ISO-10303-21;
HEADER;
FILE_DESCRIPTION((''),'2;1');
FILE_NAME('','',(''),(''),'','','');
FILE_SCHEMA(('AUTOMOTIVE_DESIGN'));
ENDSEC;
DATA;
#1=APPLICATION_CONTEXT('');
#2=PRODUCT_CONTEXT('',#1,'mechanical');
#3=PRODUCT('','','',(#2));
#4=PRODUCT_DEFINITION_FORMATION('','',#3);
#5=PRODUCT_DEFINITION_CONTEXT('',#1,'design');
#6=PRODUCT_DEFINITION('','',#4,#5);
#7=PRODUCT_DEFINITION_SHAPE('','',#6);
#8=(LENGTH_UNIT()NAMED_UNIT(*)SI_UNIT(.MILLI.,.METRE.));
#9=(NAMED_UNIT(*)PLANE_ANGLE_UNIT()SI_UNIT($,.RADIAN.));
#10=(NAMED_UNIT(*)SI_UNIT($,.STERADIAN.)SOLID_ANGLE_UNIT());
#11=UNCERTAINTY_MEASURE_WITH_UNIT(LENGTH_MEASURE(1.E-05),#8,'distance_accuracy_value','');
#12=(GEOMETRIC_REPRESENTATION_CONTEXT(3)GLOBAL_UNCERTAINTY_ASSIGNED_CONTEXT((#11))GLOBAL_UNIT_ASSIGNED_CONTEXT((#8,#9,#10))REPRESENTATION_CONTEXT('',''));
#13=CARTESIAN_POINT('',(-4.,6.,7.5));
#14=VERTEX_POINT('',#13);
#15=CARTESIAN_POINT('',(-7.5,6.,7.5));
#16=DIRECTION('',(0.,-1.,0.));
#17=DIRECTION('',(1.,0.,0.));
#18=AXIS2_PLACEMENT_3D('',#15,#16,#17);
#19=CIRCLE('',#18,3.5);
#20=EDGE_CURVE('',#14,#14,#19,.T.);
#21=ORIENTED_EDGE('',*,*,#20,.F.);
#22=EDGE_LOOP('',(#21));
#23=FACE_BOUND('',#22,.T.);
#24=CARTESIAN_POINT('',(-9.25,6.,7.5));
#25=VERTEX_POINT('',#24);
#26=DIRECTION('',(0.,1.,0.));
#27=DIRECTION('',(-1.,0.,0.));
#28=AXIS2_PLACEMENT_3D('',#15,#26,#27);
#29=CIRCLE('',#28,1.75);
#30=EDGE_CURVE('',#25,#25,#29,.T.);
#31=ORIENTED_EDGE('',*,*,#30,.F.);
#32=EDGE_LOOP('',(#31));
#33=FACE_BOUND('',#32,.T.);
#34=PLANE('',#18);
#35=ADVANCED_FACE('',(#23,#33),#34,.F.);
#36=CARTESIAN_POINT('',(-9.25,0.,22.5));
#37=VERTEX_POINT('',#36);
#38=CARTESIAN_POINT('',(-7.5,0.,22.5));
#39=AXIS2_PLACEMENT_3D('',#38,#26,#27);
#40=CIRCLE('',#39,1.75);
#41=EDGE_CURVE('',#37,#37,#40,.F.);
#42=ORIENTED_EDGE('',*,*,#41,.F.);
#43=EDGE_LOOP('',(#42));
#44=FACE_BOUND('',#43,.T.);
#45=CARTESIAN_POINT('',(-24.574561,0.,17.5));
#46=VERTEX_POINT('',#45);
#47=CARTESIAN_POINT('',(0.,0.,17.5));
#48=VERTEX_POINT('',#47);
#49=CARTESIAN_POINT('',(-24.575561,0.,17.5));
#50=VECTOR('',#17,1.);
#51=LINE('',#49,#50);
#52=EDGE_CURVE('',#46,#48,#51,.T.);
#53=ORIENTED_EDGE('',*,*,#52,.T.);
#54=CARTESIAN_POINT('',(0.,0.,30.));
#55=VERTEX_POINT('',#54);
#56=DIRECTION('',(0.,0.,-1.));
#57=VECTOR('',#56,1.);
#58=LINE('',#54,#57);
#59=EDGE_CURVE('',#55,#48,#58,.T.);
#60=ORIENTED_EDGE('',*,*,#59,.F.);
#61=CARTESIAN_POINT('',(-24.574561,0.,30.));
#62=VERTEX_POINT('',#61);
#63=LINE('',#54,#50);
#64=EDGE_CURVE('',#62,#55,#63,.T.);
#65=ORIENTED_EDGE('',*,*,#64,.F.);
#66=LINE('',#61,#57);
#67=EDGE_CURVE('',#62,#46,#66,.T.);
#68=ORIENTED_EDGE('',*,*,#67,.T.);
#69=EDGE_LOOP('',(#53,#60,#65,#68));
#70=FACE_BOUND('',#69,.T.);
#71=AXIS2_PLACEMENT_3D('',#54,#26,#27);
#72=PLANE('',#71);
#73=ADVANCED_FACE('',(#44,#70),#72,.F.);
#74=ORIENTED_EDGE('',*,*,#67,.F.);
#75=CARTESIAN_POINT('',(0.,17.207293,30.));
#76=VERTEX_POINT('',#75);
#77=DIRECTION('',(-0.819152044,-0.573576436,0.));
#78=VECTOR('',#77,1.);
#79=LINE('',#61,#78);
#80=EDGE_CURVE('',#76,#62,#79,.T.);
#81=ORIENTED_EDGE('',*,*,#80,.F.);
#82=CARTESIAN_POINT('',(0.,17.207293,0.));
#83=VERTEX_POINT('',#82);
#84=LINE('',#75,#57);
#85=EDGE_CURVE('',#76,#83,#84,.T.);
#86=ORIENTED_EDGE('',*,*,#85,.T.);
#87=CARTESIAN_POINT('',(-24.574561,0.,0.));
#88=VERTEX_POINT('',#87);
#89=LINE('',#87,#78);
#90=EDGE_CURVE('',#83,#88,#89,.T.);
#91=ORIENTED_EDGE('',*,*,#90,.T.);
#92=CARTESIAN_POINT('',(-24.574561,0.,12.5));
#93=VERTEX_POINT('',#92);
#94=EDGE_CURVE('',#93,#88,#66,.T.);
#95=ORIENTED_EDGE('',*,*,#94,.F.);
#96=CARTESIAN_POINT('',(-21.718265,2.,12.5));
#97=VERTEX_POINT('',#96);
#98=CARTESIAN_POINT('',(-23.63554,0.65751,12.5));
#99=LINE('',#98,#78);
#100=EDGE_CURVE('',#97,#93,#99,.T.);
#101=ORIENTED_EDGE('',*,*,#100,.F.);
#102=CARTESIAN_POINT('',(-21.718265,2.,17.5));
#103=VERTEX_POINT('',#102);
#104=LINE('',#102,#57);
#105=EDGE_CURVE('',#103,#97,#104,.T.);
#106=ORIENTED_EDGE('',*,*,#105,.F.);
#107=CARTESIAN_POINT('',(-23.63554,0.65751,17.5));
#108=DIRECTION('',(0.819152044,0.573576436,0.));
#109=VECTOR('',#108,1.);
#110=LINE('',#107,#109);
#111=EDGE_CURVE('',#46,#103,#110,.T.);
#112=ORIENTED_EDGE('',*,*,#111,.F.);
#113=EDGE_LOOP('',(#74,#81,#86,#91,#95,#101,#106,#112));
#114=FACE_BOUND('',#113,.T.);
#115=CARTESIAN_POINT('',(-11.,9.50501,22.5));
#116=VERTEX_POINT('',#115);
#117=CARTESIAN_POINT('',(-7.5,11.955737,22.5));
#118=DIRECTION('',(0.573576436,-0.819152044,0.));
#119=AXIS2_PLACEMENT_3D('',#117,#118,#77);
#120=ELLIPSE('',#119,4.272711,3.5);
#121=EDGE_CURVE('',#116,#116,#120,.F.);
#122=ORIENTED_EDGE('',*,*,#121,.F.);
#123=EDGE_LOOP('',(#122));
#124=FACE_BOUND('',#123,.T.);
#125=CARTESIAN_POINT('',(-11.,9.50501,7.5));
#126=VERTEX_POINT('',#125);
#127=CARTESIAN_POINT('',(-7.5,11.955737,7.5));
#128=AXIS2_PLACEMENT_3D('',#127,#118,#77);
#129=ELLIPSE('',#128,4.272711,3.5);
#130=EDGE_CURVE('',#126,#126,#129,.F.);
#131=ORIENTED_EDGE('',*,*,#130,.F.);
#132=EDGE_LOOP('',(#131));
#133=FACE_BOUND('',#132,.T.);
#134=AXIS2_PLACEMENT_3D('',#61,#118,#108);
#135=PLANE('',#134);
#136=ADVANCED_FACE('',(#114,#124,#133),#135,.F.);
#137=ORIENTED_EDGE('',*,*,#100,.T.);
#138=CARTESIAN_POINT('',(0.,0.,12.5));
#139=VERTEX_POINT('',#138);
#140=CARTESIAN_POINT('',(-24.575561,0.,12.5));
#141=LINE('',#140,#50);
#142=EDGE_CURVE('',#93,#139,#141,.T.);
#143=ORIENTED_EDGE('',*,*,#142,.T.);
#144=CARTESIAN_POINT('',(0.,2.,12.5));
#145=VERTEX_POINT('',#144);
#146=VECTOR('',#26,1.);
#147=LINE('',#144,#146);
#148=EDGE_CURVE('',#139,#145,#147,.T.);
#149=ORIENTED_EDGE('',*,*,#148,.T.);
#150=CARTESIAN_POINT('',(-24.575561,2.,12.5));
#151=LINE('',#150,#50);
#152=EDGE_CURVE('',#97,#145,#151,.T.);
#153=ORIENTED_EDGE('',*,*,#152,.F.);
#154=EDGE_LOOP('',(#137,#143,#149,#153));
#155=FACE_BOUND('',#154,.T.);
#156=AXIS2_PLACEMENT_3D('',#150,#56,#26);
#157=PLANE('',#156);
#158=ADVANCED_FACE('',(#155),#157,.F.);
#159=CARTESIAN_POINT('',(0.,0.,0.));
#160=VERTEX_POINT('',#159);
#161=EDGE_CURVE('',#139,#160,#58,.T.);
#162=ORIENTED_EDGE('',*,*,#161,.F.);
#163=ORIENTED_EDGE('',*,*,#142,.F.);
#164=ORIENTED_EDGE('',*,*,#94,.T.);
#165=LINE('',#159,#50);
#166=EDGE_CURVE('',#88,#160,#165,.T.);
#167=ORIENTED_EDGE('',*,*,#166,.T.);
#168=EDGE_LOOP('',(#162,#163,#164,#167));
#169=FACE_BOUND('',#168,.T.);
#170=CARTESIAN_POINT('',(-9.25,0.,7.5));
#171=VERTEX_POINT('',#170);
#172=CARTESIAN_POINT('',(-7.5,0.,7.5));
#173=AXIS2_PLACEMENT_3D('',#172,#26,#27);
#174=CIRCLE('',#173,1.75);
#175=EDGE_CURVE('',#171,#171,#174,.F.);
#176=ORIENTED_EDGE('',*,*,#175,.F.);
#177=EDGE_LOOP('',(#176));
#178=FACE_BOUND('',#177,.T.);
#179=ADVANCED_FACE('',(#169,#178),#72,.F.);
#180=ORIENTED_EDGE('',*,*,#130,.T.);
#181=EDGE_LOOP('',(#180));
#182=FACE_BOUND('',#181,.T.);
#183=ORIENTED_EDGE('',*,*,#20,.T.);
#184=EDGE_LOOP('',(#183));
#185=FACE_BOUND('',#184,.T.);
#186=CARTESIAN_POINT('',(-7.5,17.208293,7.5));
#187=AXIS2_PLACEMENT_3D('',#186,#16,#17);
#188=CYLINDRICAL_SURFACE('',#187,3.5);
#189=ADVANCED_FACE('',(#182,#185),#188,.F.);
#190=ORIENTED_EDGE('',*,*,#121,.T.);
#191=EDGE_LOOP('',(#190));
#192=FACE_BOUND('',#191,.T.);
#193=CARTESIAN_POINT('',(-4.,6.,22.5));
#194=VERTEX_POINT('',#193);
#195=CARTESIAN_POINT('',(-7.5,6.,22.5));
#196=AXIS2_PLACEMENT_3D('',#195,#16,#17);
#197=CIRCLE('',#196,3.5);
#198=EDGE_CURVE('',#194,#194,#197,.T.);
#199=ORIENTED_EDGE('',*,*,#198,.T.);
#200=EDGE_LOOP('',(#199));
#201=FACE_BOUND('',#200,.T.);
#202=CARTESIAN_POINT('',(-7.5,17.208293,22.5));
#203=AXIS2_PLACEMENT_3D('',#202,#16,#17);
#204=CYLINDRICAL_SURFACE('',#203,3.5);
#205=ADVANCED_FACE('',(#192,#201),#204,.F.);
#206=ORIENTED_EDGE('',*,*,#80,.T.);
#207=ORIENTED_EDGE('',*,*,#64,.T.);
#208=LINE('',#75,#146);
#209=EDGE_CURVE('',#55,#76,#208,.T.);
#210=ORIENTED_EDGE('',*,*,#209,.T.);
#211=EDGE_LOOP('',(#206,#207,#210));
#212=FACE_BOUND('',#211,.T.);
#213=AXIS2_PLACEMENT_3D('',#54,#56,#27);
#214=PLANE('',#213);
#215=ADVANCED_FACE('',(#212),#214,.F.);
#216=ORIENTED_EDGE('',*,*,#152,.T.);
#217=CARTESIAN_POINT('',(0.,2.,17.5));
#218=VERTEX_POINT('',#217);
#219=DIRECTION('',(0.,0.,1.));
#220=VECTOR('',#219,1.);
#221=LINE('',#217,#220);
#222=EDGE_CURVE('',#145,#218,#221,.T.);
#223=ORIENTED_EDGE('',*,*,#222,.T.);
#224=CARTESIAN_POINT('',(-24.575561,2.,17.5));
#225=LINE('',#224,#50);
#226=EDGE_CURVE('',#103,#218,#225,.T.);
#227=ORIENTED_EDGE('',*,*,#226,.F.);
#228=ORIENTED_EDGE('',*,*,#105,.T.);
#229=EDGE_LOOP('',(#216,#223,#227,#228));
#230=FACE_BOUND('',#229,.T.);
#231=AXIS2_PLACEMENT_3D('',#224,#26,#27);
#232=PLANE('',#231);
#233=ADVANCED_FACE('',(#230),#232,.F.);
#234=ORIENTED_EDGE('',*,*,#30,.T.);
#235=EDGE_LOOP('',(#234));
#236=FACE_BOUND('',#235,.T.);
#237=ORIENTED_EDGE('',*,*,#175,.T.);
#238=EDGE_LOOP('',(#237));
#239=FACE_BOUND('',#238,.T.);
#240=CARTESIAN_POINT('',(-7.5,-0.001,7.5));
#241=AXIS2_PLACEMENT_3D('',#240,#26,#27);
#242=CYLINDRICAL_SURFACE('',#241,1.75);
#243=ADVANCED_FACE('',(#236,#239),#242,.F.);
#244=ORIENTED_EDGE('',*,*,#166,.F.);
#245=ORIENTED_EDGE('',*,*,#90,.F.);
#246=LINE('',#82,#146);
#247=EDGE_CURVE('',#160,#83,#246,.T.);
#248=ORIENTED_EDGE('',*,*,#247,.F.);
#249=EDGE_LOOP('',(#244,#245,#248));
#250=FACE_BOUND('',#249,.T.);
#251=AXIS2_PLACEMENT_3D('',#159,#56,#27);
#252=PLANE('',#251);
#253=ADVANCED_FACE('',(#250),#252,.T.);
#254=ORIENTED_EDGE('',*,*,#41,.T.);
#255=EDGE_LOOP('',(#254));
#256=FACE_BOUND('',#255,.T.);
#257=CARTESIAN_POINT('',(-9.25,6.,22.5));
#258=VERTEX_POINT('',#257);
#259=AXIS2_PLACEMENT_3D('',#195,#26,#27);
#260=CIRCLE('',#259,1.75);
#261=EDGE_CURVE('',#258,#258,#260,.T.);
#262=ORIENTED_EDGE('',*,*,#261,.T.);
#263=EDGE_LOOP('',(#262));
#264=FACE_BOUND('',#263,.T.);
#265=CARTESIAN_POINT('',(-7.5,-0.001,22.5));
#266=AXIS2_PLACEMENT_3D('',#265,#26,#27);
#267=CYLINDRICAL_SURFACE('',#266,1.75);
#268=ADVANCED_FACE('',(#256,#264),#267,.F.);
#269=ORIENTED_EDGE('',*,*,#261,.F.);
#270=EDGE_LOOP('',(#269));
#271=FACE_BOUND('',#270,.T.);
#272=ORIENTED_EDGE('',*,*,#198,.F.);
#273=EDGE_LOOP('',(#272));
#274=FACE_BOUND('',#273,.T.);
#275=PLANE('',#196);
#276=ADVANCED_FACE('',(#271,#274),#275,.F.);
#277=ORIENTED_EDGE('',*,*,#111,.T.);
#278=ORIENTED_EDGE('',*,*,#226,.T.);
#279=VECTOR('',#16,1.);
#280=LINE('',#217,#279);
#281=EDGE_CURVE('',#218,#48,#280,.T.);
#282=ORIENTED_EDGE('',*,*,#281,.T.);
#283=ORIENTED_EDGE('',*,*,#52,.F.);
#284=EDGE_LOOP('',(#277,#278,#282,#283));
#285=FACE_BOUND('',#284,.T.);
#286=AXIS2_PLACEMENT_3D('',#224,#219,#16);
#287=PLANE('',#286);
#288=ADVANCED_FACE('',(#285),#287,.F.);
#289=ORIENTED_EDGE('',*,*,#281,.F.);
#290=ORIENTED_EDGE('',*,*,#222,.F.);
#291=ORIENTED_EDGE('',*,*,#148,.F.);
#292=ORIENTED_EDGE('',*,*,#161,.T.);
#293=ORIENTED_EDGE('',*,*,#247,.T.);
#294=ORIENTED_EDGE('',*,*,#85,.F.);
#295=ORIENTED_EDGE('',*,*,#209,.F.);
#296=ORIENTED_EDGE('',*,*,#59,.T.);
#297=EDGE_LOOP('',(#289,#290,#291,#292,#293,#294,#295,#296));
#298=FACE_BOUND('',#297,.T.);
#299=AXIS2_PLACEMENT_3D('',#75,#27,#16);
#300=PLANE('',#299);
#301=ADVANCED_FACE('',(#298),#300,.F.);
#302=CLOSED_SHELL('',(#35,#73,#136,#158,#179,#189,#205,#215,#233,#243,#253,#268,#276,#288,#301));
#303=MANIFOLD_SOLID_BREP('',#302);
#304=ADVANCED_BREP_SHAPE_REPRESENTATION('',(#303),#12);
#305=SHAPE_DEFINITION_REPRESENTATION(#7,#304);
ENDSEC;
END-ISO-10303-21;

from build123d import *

# Parameters (mm, degrees)
BOSS_EXTRU_1_DEPTH      = 30
ENL_V_MAT_EXTRU_1_REACH = 42.367
ESQUISSE2_R             = 3.5
ENL_V_MAT_EXTRU_2_REACH = 42.367
ESQUISSE3_R             = 1.75
ENL_V_MAT_EXTRU_3_REACH = 44.426
ESQUISSE4_W             = 5
ESQUISSE4_H             = 2


with BuildPart() as part:
    # Esquisse1 → Boss.-Extru.1 (new body)
    with BuildSketch(Plane.XY):
        Polygon((0, 0), (-24.574561329, 0), (0, 17.207293091), align=None)
    extrude(amount=BOSS_EXTRU_1_DEPTH)

    # Enlèv. mat.-Extru.1: up to this plane
    enl_v_mat_extru_1_end = Plane(origin=(-24.574561329, 0, 30), z_dir=(0.5735764363510414, -0.8191520442889951, 0))
    # Esquisse2 → Enlèv. mat.-Extru.1 (cut, up to the surface)
    with BuildSketch(Plane(origin=(0, 6, 0), x_dir=(-1, 0, 0), z_dir=(0, -1, 0)), mode=Mode.PRIVATE) as enl_v_mat_extru_1_sk1:
        with Locations(Location((7.5, -7.5, 0), (0, 0, 180))):
            Circle(ESQUISSE2_R)
    enl_v_mat_extru_1_tool1 = split(extrude(enl_v_mat_extru_1_sk1.sketch, amount=-ENL_V_MAT_EXTRU_1_REACH, mode=Mode.PRIVATE), bisect_by=enl_v_mat_extru_1_end, keep=Keep.BOTH, mode=Mode.PRIVATE)
    add(enl_v_mat_extru_1_tool1.solids().sort_by_distance((-7.5, 6, 7.5))[0], mode=Mode.SUBTRACT)
    # Esquisse2 → Enlèv. mat.-Extru.1 (cut, up to the surface)
    with BuildSketch(Plane(origin=(0, 6, 0), x_dir=(-1, 0, 0), z_dir=(0, -1, 0)), mode=Mode.PRIVATE) as enl_v_mat_extru_1_sk2:
        with Locations(Location((7.5, -22.5, 0), (0, 0, 180))):
            Circle(ESQUISSE2_R)
    enl_v_mat_extru_1_tool2 = split(extrude(enl_v_mat_extru_1_sk2.sketch, amount=-ENL_V_MAT_EXTRU_1_REACH, mode=Mode.PRIVATE), bisect_by=enl_v_mat_extru_1_end, keep=Keep.BOTH, mode=Mode.PRIVATE)
    add(enl_v_mat_extru_1_tool2.solids().sort_by_distance((-7.5, 6, 22.5))[0], mode=Mode.SUBTRACT)

    # Esquisse3 → Enlèv. mat.-Extru.2 (cut, up to next)
    with BuildSketch(Plane(origin=(0, 6, 0), x_dir=(1, 0, 0), z_dir=(0, 1, 0)), mode=Mode.PRIVATE) as enl_v_mat_extru_2_sk1:
        with Locations(Location((-7.5, -22.5, 0), (0, 0, 180))):
            Circle(ESQUISSE3_R)
    enl_v_mat_extru_2_tool1 = extrude(enl_v_mat_extru_2_sk1.sketch, amount=-ENL_V_MAT_EXTRU_2_REACH, mode=Mode.PRIVATE) & part.part
    # Esquisse3 → Enlèv. mat.-Extru.2 (cut, up to next)
    with BuildSketch(Plane(origin=(0, 6, 0), x_dir=(1, 0, 0), z_dir=(0, 1, 0)), mode=Mode.PRIVATE) as enl_v_mat_extru_2_sk2:
        with Locations(Location((-7.5, -7.5, 0), (0, 0, 180))):
            Circle(ESQUISSE3_R)
    enl_v_mat_extru_2_tool2 = extrude(enl_v_mat_extru_2_sk2.sketch, amount=-ENL_V_MAT_EXTRU_2_REACH, mode=Mode.PRIVATE) & part.part
    add(enl_v_mat_extru_2_tool1.solids().sort_by_distance((-7.5, 6, 22.5))[0], mode=Mode.SUBTRACT)
    add(enl_v_mat_extru_2_tool2.solids().sort_by_distance((-7.5, 6, 7.5))[0], mode=Mode.SUBTRACT)

    # Enlèv. mat.-Extru.3: up to this plane
    enl_v_mat_extru_3_end = Plane(origin=(-24.574561329, 0, 30), z_dir=(0.5735764363510414, -0.8191520442889951, 0))
    # Esquisse4 → Enlèv. mat.-Extru.3 (cut, up to the surface)
    with BuildSketch(Plane(origin=(0, 0, 0), x_dir=(0, 0, -1), z_dir=(1, 0, 0)), mode=Mode.PRIVATE) as enl_v_mat_extru_3_sk1:
        with Locations((-15, 1)):
            Rectangle(ESQUISSE4_W, ESQUISSE4_H)
    enl_v_mat_extru_3_tool1 = split(extrude(enl_v_mat_extru_3_sk1.sketch, amount=-ENL_V_MAT_EXTRU_3_REACH, mode=Mode.PRIVATE), bisect_by=enl_v_mat_extru_3_end, keep=Keep.BOTH, mode=Mode.PRIVATE)
    add(enl_v_mat_extru_3_tool1.solids().sort_by_distance((0, 1, 15))[0], mode=Mode.SUBTRACT)


solid = part.part
